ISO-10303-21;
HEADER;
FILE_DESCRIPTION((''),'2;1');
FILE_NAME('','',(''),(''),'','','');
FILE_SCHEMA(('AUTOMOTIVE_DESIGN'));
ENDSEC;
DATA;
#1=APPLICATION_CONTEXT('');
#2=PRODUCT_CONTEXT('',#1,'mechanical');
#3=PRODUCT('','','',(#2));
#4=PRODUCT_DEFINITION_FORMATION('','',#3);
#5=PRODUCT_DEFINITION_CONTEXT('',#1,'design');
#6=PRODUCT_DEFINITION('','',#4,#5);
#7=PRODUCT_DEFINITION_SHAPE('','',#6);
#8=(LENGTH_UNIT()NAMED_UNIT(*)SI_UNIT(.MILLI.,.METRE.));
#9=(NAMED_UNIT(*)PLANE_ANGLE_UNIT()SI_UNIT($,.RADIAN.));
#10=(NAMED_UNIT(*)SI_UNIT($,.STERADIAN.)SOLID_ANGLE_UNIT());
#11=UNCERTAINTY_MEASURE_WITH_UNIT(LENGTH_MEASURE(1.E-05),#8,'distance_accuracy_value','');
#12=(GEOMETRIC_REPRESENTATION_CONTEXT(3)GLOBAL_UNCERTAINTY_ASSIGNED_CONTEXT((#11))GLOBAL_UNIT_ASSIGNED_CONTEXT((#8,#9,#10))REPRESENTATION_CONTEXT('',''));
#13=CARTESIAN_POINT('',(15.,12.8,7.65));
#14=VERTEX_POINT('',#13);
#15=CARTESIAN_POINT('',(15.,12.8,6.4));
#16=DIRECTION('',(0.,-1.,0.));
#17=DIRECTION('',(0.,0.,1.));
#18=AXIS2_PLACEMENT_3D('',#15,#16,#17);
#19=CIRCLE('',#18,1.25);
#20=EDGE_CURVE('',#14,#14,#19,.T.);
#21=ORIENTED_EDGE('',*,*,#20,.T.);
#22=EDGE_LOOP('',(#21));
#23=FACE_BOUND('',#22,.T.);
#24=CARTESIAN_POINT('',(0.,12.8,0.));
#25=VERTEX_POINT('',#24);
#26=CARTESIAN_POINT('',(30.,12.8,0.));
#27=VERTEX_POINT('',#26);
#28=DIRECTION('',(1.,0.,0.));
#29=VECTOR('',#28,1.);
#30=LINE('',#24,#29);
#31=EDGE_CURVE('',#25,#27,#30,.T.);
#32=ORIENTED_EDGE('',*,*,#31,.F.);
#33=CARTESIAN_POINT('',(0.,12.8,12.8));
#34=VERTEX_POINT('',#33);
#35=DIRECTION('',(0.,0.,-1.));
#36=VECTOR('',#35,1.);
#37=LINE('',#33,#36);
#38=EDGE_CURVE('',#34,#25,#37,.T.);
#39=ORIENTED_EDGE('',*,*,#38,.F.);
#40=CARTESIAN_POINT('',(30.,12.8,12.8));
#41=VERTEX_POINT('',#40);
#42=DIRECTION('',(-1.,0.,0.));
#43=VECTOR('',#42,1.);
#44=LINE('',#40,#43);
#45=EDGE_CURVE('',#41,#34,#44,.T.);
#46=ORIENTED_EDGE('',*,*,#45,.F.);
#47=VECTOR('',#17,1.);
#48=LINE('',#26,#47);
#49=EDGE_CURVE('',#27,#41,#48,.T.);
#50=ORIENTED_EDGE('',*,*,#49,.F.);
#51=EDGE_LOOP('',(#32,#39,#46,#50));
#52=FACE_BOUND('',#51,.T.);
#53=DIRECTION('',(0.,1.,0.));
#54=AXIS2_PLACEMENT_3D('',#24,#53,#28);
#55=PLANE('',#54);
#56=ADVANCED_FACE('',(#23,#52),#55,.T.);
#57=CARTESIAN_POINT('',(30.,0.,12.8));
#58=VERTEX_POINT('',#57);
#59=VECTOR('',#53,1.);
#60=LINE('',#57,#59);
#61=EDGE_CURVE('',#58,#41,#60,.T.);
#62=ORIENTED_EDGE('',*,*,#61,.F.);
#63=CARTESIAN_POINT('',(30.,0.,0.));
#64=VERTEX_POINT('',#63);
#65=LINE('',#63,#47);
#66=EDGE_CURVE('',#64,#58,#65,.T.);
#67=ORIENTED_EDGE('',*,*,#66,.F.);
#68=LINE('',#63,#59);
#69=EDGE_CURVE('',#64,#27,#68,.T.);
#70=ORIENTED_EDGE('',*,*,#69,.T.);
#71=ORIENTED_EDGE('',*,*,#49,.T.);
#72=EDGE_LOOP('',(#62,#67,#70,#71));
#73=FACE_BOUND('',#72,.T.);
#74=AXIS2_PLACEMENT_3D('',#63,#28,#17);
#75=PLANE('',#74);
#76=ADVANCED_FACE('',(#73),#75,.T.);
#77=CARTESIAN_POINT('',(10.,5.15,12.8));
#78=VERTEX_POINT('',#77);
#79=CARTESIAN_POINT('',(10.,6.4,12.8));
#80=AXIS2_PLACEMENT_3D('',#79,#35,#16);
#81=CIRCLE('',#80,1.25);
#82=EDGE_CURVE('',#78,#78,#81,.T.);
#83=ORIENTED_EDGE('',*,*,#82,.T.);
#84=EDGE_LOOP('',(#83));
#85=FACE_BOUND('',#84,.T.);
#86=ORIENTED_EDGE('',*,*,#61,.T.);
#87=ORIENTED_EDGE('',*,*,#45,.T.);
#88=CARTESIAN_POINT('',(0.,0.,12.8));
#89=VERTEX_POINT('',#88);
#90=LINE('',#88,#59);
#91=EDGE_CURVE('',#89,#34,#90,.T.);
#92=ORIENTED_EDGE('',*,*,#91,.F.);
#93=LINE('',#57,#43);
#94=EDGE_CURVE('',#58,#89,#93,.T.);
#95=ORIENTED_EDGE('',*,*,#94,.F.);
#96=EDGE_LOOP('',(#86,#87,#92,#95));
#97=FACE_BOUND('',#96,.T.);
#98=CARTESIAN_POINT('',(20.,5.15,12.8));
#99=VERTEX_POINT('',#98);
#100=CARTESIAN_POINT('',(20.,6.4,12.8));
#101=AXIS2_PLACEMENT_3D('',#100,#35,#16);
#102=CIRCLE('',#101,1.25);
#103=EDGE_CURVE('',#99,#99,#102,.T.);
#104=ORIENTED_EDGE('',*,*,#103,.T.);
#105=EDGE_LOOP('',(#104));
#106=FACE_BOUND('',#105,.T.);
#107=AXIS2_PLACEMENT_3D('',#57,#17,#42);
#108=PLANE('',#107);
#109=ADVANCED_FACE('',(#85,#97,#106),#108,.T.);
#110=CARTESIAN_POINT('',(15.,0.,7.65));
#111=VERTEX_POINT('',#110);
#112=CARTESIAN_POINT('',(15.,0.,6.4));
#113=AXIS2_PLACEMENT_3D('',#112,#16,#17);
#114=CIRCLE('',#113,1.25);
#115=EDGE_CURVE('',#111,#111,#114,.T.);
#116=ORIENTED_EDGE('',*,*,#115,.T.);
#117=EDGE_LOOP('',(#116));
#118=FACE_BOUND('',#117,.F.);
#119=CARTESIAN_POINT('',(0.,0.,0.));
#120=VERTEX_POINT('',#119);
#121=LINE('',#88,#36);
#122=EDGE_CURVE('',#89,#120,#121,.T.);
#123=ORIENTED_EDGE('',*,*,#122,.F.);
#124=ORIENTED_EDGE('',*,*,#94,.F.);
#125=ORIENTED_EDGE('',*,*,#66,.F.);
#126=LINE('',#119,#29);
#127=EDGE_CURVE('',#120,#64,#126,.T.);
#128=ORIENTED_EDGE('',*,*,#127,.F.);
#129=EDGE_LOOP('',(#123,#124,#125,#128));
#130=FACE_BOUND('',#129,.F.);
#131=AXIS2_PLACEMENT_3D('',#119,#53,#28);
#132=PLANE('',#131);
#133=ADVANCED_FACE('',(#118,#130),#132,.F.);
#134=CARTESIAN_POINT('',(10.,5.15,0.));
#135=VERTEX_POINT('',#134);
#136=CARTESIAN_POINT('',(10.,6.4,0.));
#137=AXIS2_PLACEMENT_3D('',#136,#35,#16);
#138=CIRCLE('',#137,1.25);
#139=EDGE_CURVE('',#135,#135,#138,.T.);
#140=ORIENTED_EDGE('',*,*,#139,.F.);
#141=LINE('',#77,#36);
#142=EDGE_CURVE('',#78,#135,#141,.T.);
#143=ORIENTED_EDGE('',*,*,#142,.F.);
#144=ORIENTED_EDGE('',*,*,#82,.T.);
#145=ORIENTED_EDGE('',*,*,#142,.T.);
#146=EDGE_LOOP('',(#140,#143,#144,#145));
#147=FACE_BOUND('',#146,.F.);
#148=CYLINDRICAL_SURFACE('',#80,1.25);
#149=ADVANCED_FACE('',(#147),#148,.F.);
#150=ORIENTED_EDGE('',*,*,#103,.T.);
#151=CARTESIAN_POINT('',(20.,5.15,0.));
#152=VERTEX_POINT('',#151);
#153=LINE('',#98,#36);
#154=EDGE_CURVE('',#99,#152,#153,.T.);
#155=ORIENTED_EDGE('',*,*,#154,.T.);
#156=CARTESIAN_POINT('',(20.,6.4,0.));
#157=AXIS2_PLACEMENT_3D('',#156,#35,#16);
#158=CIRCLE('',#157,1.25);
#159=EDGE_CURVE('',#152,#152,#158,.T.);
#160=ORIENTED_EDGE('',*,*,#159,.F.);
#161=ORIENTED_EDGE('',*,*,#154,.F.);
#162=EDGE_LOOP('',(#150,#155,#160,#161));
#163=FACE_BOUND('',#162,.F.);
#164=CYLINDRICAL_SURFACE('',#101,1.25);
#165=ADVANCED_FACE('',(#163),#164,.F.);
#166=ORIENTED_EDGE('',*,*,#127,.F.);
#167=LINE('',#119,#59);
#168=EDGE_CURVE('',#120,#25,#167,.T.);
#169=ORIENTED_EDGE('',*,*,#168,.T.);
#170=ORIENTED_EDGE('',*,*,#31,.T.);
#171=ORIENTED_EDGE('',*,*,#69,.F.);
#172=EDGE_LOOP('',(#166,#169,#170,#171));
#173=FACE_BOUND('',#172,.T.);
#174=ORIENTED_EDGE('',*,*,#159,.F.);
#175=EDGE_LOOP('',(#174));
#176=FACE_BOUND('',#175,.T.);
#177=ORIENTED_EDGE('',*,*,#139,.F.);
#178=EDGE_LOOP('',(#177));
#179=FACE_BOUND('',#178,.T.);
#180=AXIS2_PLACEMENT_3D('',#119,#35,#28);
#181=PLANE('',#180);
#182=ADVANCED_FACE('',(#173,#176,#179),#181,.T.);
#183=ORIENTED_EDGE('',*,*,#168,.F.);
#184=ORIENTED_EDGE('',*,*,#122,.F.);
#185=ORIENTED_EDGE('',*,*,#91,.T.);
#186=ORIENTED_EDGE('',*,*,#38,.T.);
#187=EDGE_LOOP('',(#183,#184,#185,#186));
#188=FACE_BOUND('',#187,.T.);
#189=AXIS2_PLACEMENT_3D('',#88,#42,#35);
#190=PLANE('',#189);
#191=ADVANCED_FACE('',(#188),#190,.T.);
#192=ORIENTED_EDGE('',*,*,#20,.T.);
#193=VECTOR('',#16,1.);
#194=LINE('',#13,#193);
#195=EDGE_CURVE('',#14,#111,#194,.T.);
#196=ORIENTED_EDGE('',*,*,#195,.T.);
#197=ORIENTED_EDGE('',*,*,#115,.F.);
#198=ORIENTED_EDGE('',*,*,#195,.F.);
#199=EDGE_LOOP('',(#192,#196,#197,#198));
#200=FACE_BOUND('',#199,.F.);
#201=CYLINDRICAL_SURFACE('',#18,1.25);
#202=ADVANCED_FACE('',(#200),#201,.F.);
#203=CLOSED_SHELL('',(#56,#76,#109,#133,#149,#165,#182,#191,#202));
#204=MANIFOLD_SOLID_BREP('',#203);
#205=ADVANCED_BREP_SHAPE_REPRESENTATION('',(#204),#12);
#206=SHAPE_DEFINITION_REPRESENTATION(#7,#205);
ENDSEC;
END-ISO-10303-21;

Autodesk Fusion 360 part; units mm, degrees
sketch "Sketch1" plane through (0, 0, 0) normal (0, 1, 0) x (1, 0, 0)
  line L0 (0, 0) -> (30, 0)
  line L1 (30, 0) -> (30, -12.8)
  line L2 (30, -12.8) -> (0, -12.8)
  line L3 (0, -12.8) -> (0, 0)
  dimension "d1" = 30
  dimension "d2" = 12.8
extrude "Extrude1" add sketch "Sketch1" along normal blind 12.8
sketch "Sketch2" plane through (0, 12.8, 0) normal (0, 1, 0) x (-1, 0, 0)
  line L0 (0, 12.8) -> (-30, 12.8)
  line L1 (-30, 12.8) -> (-30, 0)
  line L2 (-30, 0) -> (0, 0)
  line L3 (0, 0) -> (0, 12.8)
  line L4 (-15, 0) -> (-15, 12.8) construction
  line L5 (0, 6.4) -> (-30, 6.4) construction
  point P0 (-15, 6.4)
hole "Hole1" at (15, 12.8, 6.4) direction (0, -1, 0) diameter 2.5 end through all
sketch "Sketch3" plane through (0, 0, 12.8) normal (0, 0, 1) x (1, 0, 0)
  line L0 (0, 0) -> (30, 0)
  line L1 (30, 0) -> (30, 12.8)
  line L2 (30, 12.8) -> (0, 12.8)
  line L3 (0, 12.8) -> (0, 0)
  line L4 (0, 6.4) -> (30, 6.4) construction
  point P0 (5, 6.4)
  point P1 (15, 6.4)
  dimension "d8" = 10
  dimension "d9" = 5
hole "Hole2" at (10, 6.4, 12.8) direction (0, 0, -1) diameter 2.5 end through all
hole "Hole3" at (20, 6.4, 12.8) direction (0, 0, -1) diameter 2.5 end through all
